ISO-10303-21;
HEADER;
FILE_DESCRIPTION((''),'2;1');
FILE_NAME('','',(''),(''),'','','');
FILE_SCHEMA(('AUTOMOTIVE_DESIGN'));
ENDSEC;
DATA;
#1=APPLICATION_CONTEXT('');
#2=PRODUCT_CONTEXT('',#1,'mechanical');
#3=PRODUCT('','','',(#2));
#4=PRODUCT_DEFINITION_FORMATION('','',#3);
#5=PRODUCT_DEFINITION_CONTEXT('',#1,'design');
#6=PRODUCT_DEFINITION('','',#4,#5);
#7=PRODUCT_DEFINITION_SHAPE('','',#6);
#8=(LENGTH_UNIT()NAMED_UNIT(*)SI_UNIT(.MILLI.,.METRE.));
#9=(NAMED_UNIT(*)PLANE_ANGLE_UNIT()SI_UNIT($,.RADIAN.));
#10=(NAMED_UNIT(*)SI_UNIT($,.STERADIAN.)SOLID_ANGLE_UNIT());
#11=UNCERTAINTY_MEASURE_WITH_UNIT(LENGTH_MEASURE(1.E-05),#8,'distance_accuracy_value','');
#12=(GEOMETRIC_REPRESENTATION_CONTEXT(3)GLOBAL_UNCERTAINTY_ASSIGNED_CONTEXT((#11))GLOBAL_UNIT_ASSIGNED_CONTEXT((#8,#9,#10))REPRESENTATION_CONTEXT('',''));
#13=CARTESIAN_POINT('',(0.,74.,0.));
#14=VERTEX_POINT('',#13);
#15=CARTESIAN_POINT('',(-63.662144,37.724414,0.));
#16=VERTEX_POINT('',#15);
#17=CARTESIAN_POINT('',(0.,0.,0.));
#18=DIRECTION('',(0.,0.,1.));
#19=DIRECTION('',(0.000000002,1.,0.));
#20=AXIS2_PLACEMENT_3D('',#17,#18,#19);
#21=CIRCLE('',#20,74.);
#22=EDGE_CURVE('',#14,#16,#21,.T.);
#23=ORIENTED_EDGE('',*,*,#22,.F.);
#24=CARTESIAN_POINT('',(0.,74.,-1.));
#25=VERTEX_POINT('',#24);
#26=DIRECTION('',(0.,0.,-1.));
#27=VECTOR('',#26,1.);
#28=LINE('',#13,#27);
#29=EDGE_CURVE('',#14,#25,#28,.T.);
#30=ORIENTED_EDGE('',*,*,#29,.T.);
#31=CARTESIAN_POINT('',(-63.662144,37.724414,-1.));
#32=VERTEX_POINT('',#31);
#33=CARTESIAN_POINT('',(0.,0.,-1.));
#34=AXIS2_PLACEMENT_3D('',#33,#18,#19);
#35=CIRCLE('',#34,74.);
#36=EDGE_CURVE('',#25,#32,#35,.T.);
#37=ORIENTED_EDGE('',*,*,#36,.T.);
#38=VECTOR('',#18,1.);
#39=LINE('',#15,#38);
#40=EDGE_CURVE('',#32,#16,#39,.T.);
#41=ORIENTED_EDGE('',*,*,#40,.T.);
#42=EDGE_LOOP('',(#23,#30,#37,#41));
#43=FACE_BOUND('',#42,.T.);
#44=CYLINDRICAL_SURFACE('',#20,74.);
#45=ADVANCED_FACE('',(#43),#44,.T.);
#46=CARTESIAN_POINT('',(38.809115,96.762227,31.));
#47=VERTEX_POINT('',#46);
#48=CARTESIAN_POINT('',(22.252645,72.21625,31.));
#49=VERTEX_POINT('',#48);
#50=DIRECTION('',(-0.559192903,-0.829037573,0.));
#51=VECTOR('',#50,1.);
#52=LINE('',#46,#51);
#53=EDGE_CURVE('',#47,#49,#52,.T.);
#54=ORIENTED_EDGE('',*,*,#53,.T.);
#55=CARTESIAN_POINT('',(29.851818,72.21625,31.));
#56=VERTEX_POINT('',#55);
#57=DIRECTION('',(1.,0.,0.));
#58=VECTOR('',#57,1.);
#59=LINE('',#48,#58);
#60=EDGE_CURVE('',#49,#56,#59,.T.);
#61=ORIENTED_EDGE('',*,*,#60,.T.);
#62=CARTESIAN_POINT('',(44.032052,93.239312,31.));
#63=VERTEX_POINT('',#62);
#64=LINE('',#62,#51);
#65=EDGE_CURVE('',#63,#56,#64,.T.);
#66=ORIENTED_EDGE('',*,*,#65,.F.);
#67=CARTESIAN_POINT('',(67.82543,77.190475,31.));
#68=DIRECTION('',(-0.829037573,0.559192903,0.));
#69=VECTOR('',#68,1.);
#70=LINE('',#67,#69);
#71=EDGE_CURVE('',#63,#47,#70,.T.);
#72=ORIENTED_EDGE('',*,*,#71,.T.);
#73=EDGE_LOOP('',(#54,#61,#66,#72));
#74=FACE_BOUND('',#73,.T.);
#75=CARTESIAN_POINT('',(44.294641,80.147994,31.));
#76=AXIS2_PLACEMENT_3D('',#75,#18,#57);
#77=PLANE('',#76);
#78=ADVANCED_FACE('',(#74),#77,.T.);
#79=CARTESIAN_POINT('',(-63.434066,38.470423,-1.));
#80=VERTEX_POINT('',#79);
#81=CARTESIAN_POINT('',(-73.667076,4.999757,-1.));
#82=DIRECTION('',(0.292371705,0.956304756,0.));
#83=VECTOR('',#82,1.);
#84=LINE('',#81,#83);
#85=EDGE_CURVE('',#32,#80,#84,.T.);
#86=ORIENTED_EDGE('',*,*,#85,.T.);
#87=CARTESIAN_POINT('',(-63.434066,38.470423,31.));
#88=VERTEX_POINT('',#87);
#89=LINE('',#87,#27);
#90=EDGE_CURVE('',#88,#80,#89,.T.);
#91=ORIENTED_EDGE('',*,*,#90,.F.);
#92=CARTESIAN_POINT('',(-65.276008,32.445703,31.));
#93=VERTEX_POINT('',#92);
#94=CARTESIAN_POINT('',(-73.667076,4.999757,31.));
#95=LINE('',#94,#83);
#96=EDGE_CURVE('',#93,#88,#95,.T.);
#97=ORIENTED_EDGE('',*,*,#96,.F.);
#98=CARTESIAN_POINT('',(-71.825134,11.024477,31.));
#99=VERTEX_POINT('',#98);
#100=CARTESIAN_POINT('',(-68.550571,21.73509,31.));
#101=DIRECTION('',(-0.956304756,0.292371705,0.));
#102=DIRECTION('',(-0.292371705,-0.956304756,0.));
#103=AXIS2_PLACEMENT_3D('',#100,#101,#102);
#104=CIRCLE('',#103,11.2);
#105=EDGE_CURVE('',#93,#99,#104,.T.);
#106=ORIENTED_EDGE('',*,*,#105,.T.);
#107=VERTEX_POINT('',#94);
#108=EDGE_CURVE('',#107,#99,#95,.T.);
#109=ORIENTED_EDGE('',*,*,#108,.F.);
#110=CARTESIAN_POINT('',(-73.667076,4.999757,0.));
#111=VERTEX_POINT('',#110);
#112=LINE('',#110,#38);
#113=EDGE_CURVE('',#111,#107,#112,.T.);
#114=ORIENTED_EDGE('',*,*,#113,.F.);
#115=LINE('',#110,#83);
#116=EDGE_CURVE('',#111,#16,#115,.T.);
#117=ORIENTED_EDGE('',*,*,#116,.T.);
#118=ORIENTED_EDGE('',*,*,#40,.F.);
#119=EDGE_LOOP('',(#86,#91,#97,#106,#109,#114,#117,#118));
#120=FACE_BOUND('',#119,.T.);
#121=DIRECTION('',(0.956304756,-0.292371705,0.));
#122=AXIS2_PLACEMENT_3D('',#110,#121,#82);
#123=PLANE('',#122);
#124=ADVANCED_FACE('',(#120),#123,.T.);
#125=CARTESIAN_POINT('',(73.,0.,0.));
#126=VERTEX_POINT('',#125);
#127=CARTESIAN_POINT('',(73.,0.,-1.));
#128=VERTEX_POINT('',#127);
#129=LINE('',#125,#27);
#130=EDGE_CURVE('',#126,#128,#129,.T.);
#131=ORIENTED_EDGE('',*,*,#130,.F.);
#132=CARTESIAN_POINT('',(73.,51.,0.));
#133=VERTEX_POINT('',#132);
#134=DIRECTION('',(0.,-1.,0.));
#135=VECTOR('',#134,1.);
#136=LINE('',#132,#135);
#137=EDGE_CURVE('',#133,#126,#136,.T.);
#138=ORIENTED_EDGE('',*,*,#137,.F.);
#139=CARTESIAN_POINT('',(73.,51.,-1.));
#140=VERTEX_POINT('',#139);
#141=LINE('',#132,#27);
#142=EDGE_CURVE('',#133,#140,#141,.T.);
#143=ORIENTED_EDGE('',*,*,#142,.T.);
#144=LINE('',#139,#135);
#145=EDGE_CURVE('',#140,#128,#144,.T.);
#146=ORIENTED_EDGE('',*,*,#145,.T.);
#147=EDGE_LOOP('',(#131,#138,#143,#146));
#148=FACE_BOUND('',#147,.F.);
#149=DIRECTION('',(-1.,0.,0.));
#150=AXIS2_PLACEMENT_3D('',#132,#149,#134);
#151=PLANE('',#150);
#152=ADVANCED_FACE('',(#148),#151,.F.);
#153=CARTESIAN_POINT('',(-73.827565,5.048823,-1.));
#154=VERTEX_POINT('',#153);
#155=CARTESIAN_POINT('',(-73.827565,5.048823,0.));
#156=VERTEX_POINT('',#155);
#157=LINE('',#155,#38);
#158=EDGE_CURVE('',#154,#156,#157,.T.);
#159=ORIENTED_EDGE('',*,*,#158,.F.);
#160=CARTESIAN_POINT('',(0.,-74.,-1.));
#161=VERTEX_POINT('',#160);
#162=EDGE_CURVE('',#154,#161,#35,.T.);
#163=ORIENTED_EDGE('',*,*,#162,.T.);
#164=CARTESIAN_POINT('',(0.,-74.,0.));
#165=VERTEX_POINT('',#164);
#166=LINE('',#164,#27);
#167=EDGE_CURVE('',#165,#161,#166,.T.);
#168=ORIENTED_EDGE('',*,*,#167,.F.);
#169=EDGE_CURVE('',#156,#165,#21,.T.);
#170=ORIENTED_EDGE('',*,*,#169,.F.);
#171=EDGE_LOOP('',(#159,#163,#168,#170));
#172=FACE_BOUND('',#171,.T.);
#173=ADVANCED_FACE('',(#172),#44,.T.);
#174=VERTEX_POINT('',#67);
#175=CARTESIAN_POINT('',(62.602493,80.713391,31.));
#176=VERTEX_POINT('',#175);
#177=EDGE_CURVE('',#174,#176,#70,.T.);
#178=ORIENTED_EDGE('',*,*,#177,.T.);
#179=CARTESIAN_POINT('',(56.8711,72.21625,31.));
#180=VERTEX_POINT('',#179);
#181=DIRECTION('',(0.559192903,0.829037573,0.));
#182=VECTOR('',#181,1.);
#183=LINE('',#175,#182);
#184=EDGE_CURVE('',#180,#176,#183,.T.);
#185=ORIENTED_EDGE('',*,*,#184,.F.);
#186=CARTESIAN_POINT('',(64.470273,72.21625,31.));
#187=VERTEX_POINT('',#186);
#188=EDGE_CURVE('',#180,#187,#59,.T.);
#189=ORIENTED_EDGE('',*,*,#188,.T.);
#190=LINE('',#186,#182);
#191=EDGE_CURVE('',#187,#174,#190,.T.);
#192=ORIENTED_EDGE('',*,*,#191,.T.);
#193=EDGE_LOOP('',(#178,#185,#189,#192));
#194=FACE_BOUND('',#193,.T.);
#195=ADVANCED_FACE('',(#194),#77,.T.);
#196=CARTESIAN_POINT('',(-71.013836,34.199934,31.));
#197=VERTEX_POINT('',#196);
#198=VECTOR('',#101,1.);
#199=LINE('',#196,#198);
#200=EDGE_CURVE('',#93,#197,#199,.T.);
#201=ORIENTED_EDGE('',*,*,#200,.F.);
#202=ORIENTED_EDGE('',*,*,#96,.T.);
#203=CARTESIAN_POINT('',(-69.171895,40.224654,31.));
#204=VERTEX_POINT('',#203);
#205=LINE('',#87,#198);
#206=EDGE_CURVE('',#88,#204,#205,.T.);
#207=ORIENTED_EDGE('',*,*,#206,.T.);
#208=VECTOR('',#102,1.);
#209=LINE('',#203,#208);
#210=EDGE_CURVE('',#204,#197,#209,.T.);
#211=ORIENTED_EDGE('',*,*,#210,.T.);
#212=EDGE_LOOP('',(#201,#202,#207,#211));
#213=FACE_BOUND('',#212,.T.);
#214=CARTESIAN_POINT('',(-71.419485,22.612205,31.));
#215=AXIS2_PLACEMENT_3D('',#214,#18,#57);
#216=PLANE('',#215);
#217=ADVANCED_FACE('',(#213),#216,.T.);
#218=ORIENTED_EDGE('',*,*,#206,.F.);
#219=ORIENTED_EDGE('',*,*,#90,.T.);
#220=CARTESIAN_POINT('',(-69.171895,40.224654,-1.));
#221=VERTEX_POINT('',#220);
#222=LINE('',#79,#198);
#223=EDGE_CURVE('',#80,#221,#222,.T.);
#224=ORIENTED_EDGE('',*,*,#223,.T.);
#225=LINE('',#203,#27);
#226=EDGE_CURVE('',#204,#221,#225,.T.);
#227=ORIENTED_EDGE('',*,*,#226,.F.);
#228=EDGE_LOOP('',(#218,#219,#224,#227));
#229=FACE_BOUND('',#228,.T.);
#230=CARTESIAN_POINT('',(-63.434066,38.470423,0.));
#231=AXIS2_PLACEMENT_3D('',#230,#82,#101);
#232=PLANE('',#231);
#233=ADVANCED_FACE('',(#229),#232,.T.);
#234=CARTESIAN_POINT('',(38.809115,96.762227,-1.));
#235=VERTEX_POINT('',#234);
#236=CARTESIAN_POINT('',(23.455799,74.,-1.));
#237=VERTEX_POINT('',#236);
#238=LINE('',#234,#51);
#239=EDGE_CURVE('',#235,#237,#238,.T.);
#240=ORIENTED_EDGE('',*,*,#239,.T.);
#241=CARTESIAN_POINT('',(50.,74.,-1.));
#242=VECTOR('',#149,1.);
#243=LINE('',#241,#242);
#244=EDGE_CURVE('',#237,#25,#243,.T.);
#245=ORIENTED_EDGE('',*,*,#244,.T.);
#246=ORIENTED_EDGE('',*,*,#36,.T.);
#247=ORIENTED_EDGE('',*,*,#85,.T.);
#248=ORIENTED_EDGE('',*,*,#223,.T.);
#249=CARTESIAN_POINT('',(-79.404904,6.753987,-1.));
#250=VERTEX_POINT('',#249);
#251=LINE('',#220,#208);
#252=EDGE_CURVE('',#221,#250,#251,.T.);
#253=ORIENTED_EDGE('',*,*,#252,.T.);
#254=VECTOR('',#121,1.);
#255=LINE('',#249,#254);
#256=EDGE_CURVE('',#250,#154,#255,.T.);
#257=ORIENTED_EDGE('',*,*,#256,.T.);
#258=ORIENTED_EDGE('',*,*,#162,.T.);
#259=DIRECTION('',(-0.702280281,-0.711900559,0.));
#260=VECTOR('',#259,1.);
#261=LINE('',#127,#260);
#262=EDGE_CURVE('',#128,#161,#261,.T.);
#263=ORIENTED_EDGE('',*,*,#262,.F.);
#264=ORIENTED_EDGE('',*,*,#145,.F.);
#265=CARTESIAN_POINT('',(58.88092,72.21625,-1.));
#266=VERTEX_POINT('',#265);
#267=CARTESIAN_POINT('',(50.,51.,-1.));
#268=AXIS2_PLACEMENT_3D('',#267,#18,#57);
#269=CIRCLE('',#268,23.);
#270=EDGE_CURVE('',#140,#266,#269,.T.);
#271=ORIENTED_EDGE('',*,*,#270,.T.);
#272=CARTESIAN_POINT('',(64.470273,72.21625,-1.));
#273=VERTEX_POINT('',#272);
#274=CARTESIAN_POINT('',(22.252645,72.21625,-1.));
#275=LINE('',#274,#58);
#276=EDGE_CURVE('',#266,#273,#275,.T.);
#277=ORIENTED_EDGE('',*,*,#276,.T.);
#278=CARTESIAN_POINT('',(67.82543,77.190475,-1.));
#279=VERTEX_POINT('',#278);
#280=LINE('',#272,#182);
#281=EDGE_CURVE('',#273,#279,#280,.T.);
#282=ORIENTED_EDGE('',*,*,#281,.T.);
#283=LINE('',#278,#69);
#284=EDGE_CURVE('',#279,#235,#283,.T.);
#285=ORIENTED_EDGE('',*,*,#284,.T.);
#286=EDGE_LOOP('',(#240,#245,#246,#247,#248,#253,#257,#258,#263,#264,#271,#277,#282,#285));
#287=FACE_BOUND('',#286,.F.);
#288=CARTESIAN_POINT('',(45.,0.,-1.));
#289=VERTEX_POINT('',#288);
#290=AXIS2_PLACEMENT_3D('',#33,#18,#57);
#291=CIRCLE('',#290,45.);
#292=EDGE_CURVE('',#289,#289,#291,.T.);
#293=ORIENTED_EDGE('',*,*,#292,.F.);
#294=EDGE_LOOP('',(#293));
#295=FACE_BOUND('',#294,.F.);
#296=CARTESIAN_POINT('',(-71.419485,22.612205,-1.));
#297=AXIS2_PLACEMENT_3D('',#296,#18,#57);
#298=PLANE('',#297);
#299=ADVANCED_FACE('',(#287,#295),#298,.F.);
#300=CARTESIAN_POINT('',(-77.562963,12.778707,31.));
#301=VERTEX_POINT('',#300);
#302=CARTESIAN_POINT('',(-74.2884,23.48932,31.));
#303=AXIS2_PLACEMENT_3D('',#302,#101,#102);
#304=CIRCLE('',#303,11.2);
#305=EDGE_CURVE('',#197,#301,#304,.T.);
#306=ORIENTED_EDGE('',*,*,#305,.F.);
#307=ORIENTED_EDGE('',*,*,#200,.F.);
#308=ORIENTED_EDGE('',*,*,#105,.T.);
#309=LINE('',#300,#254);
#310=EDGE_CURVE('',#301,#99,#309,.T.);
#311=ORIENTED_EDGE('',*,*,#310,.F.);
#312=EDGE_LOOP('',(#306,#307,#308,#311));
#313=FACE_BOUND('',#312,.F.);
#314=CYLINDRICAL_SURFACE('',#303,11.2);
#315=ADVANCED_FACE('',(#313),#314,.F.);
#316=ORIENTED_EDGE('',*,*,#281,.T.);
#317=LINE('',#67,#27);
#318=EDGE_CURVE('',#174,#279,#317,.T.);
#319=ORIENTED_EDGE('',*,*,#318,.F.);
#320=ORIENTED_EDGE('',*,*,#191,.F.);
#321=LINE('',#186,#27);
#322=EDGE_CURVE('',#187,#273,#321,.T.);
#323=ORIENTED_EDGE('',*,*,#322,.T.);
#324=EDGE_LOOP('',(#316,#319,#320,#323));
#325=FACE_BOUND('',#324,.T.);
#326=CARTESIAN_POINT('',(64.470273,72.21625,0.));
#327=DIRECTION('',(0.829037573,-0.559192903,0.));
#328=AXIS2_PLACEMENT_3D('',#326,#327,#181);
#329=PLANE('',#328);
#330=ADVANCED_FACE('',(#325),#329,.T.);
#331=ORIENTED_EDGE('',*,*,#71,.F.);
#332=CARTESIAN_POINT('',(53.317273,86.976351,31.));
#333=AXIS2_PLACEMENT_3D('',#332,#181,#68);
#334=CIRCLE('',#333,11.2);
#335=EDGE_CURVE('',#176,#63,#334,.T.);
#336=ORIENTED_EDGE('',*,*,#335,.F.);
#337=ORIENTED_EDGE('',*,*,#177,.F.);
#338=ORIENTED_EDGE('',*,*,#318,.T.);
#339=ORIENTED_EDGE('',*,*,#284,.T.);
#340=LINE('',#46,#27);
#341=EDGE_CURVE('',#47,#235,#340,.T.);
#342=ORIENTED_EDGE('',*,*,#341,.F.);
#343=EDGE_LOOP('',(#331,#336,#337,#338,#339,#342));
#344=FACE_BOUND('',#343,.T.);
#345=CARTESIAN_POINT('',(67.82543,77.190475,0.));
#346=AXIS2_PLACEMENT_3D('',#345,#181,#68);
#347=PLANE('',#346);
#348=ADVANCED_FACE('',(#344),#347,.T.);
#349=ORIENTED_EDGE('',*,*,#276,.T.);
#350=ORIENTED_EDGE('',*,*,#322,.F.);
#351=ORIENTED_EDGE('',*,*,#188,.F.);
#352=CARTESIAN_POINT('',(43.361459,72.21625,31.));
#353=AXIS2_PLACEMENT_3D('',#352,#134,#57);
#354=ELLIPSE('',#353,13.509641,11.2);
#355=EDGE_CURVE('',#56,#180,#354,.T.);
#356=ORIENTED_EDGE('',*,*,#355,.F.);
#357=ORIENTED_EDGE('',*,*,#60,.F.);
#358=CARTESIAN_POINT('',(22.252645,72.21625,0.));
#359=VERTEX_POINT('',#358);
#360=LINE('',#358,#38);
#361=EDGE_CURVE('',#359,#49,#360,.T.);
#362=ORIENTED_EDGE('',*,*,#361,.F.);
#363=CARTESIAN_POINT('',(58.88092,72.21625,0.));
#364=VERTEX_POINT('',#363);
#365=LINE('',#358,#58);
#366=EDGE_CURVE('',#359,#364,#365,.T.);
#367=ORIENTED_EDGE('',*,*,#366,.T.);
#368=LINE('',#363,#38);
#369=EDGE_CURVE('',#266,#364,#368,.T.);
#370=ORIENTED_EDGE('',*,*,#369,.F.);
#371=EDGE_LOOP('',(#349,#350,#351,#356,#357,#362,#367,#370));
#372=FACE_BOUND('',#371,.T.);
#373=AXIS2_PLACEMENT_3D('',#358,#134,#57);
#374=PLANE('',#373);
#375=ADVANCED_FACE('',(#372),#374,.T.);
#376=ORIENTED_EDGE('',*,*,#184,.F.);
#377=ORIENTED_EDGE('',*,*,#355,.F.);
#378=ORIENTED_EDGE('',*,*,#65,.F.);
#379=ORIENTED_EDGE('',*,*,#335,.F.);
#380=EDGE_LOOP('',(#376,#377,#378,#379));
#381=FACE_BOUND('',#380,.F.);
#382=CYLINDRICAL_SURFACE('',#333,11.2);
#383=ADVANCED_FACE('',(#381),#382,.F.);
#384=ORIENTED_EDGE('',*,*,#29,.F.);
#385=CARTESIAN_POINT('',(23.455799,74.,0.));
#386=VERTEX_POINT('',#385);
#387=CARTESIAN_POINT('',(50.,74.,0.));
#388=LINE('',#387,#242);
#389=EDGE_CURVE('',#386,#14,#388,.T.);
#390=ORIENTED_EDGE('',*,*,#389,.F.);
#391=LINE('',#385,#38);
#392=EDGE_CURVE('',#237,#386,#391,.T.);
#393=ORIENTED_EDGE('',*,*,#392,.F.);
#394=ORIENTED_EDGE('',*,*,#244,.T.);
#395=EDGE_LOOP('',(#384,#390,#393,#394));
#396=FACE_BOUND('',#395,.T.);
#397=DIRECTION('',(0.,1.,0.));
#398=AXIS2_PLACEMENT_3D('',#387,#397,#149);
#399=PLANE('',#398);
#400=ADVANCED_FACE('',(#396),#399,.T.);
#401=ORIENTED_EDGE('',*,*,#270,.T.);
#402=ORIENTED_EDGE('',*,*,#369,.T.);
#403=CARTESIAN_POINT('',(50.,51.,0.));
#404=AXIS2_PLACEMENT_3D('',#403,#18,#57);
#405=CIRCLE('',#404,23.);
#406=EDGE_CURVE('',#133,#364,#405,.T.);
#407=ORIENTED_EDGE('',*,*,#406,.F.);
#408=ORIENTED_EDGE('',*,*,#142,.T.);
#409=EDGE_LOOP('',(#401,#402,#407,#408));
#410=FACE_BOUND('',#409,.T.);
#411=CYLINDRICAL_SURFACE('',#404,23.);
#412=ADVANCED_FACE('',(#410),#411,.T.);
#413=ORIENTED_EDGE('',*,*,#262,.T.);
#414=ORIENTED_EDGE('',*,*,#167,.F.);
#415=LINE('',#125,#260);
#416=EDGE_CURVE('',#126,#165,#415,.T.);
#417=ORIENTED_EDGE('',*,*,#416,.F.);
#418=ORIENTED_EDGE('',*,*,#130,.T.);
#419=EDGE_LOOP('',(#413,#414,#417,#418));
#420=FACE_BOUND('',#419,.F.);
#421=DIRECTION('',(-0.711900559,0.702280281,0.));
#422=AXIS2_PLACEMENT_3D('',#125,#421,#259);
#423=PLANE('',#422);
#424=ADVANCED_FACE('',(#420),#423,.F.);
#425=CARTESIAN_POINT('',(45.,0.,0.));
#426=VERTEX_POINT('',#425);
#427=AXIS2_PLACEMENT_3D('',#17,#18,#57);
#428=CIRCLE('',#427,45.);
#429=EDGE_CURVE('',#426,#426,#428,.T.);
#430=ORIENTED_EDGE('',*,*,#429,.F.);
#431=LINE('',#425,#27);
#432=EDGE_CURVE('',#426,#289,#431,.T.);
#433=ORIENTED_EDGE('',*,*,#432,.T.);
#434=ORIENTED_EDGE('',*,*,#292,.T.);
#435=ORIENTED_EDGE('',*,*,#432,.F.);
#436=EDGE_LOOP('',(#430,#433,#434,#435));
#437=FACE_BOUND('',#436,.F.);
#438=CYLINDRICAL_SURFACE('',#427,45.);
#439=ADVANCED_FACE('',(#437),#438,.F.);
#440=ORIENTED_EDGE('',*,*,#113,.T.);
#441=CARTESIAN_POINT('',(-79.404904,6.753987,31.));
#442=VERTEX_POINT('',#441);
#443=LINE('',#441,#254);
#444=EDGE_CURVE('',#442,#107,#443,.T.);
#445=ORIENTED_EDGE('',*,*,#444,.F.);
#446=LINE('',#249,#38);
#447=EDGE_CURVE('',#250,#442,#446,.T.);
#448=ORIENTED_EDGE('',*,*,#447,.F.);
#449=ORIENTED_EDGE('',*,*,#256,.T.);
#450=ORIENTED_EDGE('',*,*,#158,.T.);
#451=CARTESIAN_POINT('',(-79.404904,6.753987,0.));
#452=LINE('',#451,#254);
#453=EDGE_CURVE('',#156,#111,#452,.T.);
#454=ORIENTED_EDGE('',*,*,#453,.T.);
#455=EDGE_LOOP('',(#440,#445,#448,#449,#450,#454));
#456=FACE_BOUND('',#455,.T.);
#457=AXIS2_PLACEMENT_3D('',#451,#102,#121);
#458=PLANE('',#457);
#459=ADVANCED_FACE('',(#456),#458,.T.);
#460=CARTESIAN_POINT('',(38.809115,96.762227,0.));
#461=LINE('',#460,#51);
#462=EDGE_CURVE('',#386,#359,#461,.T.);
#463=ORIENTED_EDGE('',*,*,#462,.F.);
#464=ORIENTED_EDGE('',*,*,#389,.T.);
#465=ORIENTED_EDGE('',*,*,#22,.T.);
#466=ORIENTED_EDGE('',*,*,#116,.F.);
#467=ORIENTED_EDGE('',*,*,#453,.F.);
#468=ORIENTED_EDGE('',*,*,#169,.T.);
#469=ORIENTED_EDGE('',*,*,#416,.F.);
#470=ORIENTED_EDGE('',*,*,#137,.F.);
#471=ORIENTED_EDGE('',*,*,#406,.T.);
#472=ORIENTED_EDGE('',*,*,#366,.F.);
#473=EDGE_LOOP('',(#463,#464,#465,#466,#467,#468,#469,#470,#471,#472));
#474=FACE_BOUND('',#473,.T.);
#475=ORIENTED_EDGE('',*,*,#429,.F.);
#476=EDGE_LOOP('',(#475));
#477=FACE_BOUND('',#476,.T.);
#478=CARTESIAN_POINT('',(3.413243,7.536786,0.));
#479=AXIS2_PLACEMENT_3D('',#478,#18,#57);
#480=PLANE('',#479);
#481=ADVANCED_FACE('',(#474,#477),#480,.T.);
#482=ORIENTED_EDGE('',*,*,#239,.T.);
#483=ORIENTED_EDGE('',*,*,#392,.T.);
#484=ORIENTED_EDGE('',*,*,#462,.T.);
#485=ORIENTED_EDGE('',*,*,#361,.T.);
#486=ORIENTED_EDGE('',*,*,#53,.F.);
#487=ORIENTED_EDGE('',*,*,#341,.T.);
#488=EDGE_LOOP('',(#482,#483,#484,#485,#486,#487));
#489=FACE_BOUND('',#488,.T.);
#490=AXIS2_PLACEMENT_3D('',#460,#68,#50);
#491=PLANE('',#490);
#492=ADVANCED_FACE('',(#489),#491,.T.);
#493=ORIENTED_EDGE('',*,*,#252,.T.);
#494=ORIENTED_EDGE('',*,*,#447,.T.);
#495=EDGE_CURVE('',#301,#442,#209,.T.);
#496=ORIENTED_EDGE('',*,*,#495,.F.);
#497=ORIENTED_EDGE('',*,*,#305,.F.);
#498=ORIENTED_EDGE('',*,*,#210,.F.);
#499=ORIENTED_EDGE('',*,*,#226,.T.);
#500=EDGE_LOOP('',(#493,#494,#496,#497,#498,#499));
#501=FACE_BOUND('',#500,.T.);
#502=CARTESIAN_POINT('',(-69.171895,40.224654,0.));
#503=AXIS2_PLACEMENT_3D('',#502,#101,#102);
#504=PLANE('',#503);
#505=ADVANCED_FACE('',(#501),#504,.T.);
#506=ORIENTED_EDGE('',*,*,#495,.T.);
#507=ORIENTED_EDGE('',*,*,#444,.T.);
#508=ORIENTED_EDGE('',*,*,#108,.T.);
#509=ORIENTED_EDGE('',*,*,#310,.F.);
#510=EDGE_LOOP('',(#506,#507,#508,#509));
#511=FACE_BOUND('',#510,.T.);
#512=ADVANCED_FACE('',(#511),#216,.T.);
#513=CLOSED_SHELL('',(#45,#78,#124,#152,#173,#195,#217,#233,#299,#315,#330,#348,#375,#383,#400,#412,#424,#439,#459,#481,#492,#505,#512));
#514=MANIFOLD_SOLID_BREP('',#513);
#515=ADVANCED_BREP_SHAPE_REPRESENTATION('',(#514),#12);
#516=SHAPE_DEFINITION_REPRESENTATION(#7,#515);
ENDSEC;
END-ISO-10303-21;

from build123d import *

# Parameters (mm, degrees)
SKETCH001_R       = 45
PAD_DEPTH         = 1
PAD003_DEPTH      = 31
PAD003_DEPTH_BACK = 1
PAD004_DEPTH      = 31
PAD004_DEPTH_BACK = 1
SKETCH026_R       = 11.2
POCKET_DEPTH      = 169.3567157682
SKETCH027_R       = 11.2
POCKET001_DEPTH   = 207.6737429392


with BuildPart() as part:
    # Sketch001 → Pad (new body)
    with BuildSketch(Plane.XY):
        with BuildLine():
            Line((50, 74), (0, 74))
            ThreePointArc((0, 74), (-74.0000001202, 0), (0, -74))
            Line((73, 0), (0, -74))
            Line((73, 51), (73, 0))
            ThreePointArc((73, 51), (66.2634559673, 67.2634559673), (50, 74))
        make_face()
        Circle(SKETCH001_R, mode=Mode.SUBTRACT)
    extrude(amount=-PAD_DEPTH)

    # Sketch → Pad003 (new body, two sides)
    with BuildSketch(Plane.XY) as pad003_sk:
        Polygon((22.252644507, 72.2162499408), (64.4702727046, 72.2162499408), (67.8254301255, 77.1904753762), (38.809115086, 96.7622269976), align=None)
    extrude(amount=PAD003_DEPTH)
    extrude(pad003_sk.sketch, amount=-PAD003_DEPTH_BACK)

    # Sketch025 → Pad004 (new body, two sides)
    with BuildSketch(Plane.XY) as pad004_sk:
        Polygon((-69.1718947306, 40.2246535265), (-79.4049043959, 6.7539870678), (-73.6670758601, 4.9997568394), (-63.4340661948, 38.4704232981), align=None)
    extrude(amount=PAD004_DEPTH)
    extrude(pad004_sk.sketch, amount=-PAD004_DEPTH_BACK)

    # Sketch026 → Pocket (cut, through all)
    with BuildSketch(Plane(origin=(-74.5056676119, 22.7786685315, 0), x_dir=(-0.2923717047, -0.956304756, 0), z_dir=(-0.956304756, 0.2923717047, 0))):
        with Locations((-0.743122693, 31)):
            Circle(SKETCH026_R)
    extrude(amount=-POCKET_DEPTH, mode=Mode.SUBTRACT)

    # Sketch027 → Pocket001 (cut, through all)
    with BuildSketch(Plane(origin=(56.9936696471, 84.4965900712, 0), x_dir=(-0.8290375726, 0.5591929035, 0), z_dir=(0.5591929035, 0.8290375726, 0))):
        with Locations((4.4345360972, 31)):
            Circle(SKETCH027_R)
    extrude(amount=-POCKET001_DEPTH, mode=Mode.SUBTRACT)


solid = part.part
